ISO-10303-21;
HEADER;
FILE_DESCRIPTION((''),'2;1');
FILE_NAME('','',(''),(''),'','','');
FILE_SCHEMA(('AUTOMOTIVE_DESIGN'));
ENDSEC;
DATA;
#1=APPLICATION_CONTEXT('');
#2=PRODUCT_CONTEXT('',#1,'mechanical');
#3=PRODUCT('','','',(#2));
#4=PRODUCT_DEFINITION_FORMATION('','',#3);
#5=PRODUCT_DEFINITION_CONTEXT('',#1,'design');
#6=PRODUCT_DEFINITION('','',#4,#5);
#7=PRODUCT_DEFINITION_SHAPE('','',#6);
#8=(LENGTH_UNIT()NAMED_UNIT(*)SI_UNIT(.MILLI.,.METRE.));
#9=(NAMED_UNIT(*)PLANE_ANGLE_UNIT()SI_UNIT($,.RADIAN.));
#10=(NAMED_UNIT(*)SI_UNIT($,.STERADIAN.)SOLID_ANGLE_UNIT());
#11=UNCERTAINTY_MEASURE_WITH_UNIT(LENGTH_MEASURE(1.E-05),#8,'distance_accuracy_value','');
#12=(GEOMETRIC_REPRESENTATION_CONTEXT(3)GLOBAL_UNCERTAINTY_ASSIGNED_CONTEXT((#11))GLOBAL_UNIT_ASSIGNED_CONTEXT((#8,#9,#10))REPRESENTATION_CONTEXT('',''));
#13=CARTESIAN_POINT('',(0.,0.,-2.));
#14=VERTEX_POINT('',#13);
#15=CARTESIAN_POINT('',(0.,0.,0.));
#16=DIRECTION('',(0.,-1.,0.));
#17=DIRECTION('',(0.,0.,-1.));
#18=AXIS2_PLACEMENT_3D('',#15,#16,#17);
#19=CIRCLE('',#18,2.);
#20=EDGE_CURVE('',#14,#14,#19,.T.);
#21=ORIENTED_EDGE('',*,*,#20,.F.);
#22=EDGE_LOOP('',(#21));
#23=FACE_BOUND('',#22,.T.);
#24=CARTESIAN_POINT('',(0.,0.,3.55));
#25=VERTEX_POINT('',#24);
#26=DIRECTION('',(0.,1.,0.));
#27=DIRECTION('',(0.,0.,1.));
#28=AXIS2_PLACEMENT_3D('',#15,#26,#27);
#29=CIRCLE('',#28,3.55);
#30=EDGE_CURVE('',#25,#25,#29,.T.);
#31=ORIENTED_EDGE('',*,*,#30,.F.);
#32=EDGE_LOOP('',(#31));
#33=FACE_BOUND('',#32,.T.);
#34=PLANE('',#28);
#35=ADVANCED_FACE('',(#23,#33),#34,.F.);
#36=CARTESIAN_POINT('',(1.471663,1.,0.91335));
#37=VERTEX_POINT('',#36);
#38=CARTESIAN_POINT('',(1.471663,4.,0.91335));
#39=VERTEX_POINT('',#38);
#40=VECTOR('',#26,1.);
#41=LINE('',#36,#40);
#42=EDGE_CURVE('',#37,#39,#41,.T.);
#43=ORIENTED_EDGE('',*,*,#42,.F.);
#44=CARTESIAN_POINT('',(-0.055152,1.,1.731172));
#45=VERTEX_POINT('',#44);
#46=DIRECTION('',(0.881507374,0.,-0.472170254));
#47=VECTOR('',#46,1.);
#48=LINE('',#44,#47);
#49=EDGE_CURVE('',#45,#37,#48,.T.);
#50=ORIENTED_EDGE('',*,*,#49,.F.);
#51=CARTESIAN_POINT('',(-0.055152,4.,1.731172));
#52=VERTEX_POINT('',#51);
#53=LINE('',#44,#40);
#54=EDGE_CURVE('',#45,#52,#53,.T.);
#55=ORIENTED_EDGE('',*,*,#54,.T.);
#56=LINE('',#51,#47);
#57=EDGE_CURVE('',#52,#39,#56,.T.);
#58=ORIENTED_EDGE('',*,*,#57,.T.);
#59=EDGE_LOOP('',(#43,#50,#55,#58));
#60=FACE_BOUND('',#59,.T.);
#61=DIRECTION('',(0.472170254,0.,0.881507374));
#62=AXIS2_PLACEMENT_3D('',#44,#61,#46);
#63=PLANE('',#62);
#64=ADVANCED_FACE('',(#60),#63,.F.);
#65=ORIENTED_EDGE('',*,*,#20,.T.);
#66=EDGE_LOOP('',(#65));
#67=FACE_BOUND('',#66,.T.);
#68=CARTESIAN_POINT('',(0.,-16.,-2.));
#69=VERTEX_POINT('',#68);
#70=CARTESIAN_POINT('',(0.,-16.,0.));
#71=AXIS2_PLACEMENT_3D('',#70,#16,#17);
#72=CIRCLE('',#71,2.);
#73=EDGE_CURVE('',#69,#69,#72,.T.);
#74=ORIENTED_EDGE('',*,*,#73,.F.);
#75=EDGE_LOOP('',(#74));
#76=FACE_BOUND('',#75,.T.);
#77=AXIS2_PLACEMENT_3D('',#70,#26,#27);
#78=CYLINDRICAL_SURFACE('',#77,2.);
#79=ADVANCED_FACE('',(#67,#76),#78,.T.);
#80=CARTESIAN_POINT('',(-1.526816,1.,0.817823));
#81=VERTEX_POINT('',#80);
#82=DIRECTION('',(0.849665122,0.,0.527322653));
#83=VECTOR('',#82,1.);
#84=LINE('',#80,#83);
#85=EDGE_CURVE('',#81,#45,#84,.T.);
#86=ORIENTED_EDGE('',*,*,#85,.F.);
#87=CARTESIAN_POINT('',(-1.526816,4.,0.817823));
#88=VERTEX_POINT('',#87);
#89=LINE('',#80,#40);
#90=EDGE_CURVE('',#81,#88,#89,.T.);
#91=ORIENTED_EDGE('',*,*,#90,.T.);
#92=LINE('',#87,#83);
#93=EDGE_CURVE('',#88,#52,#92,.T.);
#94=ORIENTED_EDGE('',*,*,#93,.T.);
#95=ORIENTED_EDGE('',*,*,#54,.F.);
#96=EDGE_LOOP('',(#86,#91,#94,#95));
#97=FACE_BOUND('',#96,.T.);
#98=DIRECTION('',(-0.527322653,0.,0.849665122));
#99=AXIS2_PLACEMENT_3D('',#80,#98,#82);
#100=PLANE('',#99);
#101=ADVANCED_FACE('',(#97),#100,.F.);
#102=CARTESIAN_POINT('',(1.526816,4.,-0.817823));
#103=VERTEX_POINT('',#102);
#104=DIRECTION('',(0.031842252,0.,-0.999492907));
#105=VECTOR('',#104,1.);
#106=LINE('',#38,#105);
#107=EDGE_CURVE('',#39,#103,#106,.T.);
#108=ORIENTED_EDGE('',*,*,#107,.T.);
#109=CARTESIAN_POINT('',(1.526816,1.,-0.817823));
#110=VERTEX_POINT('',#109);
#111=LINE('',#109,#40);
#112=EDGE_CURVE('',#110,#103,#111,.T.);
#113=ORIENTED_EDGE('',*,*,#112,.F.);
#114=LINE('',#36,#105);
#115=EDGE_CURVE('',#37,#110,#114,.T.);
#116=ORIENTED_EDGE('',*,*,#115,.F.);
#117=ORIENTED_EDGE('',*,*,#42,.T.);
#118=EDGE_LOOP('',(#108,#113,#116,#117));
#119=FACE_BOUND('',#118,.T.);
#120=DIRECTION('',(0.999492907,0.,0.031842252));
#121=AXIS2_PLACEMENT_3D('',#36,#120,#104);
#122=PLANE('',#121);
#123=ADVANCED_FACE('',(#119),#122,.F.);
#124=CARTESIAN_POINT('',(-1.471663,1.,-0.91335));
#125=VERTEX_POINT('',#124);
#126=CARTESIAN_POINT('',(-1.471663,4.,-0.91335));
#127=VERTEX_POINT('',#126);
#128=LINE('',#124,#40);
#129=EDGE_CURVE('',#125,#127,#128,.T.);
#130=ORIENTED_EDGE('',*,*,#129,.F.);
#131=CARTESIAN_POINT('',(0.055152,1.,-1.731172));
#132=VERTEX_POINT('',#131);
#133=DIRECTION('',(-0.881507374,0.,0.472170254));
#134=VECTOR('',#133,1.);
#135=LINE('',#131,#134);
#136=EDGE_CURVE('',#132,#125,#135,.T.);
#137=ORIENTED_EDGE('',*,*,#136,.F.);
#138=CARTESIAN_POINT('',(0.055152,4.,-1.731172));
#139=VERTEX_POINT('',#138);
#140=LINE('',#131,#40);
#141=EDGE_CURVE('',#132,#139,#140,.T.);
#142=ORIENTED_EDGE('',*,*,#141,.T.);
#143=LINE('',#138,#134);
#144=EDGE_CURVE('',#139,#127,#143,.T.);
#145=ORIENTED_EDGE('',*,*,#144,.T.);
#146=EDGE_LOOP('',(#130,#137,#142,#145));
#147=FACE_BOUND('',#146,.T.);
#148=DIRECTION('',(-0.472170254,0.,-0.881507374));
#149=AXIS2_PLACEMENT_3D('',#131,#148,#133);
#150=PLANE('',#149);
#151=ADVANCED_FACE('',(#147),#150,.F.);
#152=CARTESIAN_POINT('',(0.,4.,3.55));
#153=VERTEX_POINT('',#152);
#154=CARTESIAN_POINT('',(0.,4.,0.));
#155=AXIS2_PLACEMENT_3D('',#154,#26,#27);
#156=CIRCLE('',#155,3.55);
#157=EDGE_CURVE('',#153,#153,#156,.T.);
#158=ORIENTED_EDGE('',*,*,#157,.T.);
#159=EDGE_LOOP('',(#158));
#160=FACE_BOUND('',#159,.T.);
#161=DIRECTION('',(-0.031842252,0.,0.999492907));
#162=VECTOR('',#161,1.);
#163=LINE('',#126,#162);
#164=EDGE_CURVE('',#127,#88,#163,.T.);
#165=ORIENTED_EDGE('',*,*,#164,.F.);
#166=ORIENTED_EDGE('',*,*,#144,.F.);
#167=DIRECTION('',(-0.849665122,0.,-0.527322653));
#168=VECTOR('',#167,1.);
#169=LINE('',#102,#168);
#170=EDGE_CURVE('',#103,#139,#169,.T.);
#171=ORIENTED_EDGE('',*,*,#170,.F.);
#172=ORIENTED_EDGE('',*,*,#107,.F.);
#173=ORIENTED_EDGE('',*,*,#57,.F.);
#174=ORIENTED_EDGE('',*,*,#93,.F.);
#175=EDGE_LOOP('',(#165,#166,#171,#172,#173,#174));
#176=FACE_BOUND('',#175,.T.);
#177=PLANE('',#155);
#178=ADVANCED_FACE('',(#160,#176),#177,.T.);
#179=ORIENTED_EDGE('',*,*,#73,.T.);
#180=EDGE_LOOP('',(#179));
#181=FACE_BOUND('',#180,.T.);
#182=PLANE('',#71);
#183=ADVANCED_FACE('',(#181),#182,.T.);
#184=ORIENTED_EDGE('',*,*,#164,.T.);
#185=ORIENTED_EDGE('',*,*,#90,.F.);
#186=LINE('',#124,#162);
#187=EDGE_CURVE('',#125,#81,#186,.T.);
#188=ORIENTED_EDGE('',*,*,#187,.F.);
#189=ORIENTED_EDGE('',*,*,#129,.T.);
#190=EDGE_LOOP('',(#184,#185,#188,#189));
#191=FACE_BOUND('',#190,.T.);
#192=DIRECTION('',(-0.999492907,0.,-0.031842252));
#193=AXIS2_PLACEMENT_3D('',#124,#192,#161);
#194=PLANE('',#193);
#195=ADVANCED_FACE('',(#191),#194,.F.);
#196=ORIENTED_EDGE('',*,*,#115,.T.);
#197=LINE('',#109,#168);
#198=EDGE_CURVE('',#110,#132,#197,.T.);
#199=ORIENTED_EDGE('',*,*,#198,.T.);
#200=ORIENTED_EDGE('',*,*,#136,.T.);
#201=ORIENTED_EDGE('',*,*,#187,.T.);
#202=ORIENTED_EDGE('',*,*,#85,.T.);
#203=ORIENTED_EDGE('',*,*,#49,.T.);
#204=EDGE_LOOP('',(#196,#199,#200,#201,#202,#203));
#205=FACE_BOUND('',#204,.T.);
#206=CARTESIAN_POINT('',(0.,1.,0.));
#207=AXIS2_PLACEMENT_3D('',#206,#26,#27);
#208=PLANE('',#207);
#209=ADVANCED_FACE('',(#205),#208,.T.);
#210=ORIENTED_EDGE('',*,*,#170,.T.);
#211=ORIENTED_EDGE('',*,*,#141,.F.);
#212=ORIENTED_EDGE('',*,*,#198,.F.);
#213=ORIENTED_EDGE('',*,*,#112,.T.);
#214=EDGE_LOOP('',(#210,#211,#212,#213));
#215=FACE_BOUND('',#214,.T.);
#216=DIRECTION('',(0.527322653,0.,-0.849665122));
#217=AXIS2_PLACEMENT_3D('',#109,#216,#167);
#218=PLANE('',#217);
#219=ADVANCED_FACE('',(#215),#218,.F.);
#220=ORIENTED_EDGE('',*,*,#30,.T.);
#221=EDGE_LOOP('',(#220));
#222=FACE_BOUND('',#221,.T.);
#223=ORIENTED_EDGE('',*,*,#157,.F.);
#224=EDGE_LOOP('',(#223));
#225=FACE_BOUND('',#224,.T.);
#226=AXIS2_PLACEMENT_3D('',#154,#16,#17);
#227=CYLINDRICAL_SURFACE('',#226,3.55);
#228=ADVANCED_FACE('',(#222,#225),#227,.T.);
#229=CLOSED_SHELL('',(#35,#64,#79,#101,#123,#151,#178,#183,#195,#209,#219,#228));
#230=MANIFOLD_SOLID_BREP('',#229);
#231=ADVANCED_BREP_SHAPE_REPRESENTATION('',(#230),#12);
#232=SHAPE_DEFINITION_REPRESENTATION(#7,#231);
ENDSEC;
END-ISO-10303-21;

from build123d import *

# Parameters (mm, degrees)
SKETCH1_R           = 3.55
BOSS_EXTRUDE1_DEPTH = 4
SKETCH2_R           = 2
BOSS_EXTRUDE2_DEPTH = 16
CUT_EXTRUDE1_DEPTH  = 3


with BuildPart() as part:
    # Sketch1 → Boss-Extrude1 (new body)
    with BuildSketch(Plane(origin=(0, 0, 0), x_dir=(1, 0, 0), z_dir=(0, 1, 0))):
        with Locations(Location((0, 0, 0), (0, 0, 270))):
            Circle(SKETCH1_R)
    extrude(amount=BOSS_EXTRUDE1_DEPTH)

    # Sketch2 → Boss-Extrude2 (add)
    with BuildSketch(Plane.XZ):
        with Locations(Location((0, 0, 0), (0, 0, 270))):
            Circle(SKETCH2_R)
    extrude(amount=BOSS_EXTRUDE2_DEPTH)

    # Sketch3 → Cut-Extrude1 (cut)
    with BuildSketch(Plane(origin=(0, 4, 0), x_dir=(1, 0, 0), z_dir=(0, 1, 0))):
        Polygon((0.055152398, 1.731172497), (-1.471663161, 0.913349626), (-1.526815559, -0.81782287), (-0.055152398, -1.731172497), (1.471663161, -0.913349626), (1.526815559, 0.81782287), align=None)
    extrude(amount=-CUT_EXTRUDE1_DEPTH, mode=Mode.SUBTRACT)


solid = part.part
